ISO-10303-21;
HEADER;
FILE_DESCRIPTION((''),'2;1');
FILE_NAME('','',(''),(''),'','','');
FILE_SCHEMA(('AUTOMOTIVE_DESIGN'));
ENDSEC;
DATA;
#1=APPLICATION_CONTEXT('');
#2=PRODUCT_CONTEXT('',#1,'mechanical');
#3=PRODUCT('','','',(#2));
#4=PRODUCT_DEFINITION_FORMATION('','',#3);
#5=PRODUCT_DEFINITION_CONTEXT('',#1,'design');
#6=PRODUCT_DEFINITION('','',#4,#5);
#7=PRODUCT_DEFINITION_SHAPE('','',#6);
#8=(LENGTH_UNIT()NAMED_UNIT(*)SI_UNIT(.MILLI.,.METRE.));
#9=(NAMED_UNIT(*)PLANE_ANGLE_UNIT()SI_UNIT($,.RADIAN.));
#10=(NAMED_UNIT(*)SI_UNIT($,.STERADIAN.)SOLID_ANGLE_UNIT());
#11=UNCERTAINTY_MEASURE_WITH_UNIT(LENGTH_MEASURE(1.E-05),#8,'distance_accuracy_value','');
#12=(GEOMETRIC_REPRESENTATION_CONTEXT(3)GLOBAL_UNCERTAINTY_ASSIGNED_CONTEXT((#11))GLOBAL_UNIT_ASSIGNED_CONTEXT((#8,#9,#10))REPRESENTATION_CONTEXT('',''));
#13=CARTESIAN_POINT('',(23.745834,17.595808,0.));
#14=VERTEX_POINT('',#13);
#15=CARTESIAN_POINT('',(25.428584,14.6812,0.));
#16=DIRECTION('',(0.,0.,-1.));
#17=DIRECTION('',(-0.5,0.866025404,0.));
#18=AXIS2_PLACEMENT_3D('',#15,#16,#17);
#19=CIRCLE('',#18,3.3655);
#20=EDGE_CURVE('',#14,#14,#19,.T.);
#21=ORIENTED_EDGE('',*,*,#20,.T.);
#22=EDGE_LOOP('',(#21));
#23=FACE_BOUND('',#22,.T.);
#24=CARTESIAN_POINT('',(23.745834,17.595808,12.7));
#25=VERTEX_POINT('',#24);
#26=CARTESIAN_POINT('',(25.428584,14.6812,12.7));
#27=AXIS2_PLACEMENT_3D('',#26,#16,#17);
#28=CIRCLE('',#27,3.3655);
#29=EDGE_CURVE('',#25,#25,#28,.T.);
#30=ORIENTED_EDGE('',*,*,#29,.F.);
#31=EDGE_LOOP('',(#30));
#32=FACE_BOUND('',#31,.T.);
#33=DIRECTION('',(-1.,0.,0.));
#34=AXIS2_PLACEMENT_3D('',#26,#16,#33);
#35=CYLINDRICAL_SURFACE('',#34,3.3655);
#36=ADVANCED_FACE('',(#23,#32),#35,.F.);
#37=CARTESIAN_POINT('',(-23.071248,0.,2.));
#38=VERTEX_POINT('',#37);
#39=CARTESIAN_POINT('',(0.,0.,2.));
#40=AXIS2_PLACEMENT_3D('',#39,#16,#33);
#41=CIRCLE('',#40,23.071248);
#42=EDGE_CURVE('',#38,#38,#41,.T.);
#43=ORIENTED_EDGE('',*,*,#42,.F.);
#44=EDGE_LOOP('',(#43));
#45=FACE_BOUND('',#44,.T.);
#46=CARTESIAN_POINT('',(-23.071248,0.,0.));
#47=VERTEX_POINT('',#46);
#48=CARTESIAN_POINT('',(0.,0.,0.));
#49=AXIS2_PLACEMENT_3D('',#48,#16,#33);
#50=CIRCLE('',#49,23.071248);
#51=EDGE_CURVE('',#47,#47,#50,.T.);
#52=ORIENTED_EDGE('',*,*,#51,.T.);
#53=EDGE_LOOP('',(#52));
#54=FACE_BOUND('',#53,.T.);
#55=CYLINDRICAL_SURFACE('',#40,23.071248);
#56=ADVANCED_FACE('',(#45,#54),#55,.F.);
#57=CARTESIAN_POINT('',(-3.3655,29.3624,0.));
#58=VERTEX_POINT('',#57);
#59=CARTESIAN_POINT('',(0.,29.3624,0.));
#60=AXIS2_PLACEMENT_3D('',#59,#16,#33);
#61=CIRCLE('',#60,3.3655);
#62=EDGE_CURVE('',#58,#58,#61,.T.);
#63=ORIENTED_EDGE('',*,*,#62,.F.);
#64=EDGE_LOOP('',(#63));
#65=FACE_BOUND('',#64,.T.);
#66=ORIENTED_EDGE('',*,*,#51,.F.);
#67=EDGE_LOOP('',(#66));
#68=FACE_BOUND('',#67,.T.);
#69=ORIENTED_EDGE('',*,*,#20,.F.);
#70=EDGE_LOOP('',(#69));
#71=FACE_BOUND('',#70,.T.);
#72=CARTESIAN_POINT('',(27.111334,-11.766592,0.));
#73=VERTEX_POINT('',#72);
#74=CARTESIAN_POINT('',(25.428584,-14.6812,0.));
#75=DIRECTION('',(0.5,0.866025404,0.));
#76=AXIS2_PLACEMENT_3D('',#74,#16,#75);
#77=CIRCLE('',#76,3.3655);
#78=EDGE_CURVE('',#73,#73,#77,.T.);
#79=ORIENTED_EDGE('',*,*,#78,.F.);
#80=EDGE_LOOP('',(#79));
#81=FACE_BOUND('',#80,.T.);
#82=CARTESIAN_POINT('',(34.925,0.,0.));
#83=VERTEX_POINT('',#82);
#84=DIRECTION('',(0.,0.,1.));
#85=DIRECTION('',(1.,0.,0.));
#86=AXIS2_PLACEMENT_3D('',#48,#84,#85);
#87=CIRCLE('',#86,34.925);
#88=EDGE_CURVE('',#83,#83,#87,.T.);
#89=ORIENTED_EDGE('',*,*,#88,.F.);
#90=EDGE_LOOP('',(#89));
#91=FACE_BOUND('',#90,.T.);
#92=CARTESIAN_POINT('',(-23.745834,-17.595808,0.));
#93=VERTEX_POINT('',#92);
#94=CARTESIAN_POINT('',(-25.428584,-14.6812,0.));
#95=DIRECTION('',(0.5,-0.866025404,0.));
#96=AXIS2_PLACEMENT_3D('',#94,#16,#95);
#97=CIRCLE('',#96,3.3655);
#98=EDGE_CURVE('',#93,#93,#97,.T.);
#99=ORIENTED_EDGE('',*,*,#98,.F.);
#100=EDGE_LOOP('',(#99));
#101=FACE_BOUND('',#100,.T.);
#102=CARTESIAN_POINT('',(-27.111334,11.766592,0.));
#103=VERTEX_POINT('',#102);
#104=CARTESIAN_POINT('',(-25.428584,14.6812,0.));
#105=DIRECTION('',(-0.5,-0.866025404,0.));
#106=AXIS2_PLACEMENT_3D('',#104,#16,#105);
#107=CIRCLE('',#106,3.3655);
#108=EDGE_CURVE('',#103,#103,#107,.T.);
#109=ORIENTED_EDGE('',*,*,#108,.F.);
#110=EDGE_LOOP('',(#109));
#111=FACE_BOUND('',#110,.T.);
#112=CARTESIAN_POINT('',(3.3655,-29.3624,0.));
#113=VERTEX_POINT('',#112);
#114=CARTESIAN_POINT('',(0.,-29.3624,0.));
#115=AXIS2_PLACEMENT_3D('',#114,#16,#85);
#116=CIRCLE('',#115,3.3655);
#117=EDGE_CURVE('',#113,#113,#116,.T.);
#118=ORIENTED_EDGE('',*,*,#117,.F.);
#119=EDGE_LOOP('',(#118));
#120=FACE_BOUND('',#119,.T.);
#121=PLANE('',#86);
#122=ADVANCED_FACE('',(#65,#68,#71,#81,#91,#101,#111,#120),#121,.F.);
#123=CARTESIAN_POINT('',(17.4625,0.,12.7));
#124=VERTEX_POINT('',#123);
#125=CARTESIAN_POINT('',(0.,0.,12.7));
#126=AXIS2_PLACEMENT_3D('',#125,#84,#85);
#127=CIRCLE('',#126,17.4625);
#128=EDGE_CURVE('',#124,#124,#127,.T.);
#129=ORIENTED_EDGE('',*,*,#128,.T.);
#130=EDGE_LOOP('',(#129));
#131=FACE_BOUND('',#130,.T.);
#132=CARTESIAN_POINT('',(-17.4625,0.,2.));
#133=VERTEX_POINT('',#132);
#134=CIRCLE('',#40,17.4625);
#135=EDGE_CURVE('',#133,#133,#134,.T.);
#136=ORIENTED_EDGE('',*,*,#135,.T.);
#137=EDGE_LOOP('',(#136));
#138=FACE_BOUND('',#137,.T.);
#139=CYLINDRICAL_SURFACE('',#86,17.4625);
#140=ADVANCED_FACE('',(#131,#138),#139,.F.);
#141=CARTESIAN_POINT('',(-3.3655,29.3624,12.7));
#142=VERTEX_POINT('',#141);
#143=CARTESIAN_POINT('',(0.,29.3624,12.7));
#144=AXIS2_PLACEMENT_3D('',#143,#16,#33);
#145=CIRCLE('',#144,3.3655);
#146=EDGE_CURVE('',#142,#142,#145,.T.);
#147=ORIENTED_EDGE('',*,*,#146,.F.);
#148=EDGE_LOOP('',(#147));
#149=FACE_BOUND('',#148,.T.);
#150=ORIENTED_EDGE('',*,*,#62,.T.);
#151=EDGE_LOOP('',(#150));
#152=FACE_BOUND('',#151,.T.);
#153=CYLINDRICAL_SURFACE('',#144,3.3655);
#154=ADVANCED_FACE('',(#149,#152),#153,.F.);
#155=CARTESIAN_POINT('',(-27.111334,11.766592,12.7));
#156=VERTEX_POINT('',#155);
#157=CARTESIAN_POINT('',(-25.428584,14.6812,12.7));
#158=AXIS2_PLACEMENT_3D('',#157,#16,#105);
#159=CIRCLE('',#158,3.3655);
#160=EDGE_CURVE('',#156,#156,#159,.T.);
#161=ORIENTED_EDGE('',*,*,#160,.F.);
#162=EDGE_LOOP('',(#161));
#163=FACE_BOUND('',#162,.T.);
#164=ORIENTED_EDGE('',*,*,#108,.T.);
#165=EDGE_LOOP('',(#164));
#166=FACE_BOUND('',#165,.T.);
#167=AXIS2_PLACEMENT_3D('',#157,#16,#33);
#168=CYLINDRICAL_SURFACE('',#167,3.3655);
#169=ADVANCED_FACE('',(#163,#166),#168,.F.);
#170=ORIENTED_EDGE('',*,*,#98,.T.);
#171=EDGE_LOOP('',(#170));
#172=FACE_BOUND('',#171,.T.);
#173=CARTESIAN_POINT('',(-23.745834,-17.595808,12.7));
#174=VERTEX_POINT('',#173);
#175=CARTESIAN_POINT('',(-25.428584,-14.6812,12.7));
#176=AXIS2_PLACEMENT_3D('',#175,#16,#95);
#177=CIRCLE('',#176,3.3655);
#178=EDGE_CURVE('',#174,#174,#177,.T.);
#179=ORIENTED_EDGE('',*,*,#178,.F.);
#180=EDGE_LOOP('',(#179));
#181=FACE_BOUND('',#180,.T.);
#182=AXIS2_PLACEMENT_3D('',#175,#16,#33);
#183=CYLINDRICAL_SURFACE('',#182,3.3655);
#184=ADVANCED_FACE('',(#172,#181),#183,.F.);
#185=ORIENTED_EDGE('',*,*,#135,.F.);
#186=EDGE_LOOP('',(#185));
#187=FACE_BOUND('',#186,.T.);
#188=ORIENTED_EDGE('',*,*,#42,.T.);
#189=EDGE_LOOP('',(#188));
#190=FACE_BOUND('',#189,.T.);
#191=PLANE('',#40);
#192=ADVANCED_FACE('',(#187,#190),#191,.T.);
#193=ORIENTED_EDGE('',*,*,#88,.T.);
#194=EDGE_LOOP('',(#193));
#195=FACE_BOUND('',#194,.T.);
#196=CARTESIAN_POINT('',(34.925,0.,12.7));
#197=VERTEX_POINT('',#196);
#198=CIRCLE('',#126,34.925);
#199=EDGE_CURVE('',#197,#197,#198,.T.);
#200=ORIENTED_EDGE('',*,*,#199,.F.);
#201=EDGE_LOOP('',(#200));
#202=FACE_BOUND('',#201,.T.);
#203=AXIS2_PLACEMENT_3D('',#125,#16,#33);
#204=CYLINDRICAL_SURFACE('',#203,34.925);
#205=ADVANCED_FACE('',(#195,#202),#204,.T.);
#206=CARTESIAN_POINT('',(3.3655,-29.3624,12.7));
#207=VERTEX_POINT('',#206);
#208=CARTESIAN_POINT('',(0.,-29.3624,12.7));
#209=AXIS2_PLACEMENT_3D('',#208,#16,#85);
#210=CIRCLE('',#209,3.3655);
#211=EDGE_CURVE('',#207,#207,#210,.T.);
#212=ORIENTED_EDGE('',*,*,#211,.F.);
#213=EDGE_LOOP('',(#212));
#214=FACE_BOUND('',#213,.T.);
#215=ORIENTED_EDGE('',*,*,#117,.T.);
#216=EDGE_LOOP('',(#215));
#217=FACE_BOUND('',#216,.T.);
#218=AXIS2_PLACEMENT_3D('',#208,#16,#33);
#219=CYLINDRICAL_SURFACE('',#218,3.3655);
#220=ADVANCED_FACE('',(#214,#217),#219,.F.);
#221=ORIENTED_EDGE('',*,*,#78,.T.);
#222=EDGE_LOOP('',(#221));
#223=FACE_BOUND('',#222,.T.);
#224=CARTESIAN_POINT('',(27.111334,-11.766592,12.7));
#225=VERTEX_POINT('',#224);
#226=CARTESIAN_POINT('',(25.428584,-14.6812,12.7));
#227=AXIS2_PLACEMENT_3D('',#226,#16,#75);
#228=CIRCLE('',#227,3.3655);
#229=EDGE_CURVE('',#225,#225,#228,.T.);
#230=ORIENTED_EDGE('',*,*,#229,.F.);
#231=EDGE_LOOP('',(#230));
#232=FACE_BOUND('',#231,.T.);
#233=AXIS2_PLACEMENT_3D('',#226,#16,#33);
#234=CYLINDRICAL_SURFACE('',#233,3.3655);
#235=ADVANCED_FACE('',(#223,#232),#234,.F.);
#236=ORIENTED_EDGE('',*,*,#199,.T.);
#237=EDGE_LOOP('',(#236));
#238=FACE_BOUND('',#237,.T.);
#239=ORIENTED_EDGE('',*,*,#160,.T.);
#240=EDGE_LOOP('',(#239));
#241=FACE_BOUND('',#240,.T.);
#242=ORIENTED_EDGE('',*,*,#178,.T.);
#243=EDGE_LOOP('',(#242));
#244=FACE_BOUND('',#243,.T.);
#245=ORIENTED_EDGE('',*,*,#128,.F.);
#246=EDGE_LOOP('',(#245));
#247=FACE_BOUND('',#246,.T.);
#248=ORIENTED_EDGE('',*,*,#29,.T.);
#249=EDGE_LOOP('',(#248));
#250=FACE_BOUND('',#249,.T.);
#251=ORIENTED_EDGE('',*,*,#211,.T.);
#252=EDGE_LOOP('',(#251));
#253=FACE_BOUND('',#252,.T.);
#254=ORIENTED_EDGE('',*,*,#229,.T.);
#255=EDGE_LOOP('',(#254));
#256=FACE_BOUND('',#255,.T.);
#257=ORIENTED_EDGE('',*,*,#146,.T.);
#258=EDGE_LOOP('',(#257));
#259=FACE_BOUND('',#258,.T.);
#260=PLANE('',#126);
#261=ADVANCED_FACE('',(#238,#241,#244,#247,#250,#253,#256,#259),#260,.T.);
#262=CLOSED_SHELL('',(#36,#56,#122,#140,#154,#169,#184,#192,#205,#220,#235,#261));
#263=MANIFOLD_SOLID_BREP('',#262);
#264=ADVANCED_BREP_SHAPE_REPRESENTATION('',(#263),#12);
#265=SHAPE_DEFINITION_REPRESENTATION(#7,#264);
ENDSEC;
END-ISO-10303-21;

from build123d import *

# Parameters (mm, degrees)
SKETCH1_R          = 34.925
SKETCH1_R_2        = 8
BASE_EXTRUDE_DEPTH = 12.7
SKETCH6_R          = 3.3655
CUT_EXTRUDE1_DEPTH = 51.998051433
CIRPATTERN2_COUNT  = 6
SKETCH11_R         = 23.07124837
CUT_EXTRUDE3_DEPTH = 2
SKETCH12_R         = 11.5
CUT_EXTRUDE4_DEPTH = 2
SKETCH14_R         = 17.4625
CUT_EXTRUDE5_DEPTH = 51.998051433


with BuildPart() as part:
    # Sketch1 → Base-Extrude (new body)
    with BuildSketch(Plane.XY):
        Circle(SKETCH1_R)
        Circle(SKETCH1_R_2, mode=Mode.SUBTRACT)
    extrude(amount=BASE_EXTRUDE_DEPTH)

    # Sketch6 → Cut-Extrude1 (cut, through all)
    with BuildSketch(Plane(origin=(0, 0, 0), x_dir=(-1, 0, 0), z_dir=(0, 0, -1))):
        with Locations((0, 29.3624)):
            Circle(SKETCH6_R)
    cut_extrude1 = extrude(amount=-CUT_EXTRUDE1_DEPTH, mode=Mode.SUBTRACT)

    # CirPattern2: Cut-Extrude1 ×6 about axis
    cirpattern2_axis = Axis((0, 0, 0), (0, 0, 1))
    for i in range(1, CIRPATTERN2_COUNT):
        add(cut_extrude1.rotate(cirpattern2_axis, i * 360 / CIRPATTERN2_COUNT), mode=Mode.SUBTRACT)

    # Sketch11 → Cut-Extrude3 (cut)
    with BuildSketch(Plane(origin=(0, 0, 0), x_dir=(-1, 0, 0), z_dir=(0, 0, -1))):
        Circle(SKETCH11_R)
    extrude(amount=-CUT_EXTRUDE3_DEPTH, mode=Mode.SUBTRACT)

    # Sketch12 → Cut-Extrude4 (cut)
    with BuildSketch(Plane.XY.offset(12.7)):
        Circle(SKETCH12_R)
    extrude(amount=-CUT_EXTRUDE4_DEPTH, mode=Mode.SUBTRACT)

    # Sketch14 → Cut-Extrude5 (cut, through all)
    with BuildSketch(Plane.XY.offset(12.7)):
        Circle(SKETCH14_R)
    extrude(amount=-CUT_EXTRUDE5_DEPTH, mode=Mode.SUBTRACT)


solid = part.part
